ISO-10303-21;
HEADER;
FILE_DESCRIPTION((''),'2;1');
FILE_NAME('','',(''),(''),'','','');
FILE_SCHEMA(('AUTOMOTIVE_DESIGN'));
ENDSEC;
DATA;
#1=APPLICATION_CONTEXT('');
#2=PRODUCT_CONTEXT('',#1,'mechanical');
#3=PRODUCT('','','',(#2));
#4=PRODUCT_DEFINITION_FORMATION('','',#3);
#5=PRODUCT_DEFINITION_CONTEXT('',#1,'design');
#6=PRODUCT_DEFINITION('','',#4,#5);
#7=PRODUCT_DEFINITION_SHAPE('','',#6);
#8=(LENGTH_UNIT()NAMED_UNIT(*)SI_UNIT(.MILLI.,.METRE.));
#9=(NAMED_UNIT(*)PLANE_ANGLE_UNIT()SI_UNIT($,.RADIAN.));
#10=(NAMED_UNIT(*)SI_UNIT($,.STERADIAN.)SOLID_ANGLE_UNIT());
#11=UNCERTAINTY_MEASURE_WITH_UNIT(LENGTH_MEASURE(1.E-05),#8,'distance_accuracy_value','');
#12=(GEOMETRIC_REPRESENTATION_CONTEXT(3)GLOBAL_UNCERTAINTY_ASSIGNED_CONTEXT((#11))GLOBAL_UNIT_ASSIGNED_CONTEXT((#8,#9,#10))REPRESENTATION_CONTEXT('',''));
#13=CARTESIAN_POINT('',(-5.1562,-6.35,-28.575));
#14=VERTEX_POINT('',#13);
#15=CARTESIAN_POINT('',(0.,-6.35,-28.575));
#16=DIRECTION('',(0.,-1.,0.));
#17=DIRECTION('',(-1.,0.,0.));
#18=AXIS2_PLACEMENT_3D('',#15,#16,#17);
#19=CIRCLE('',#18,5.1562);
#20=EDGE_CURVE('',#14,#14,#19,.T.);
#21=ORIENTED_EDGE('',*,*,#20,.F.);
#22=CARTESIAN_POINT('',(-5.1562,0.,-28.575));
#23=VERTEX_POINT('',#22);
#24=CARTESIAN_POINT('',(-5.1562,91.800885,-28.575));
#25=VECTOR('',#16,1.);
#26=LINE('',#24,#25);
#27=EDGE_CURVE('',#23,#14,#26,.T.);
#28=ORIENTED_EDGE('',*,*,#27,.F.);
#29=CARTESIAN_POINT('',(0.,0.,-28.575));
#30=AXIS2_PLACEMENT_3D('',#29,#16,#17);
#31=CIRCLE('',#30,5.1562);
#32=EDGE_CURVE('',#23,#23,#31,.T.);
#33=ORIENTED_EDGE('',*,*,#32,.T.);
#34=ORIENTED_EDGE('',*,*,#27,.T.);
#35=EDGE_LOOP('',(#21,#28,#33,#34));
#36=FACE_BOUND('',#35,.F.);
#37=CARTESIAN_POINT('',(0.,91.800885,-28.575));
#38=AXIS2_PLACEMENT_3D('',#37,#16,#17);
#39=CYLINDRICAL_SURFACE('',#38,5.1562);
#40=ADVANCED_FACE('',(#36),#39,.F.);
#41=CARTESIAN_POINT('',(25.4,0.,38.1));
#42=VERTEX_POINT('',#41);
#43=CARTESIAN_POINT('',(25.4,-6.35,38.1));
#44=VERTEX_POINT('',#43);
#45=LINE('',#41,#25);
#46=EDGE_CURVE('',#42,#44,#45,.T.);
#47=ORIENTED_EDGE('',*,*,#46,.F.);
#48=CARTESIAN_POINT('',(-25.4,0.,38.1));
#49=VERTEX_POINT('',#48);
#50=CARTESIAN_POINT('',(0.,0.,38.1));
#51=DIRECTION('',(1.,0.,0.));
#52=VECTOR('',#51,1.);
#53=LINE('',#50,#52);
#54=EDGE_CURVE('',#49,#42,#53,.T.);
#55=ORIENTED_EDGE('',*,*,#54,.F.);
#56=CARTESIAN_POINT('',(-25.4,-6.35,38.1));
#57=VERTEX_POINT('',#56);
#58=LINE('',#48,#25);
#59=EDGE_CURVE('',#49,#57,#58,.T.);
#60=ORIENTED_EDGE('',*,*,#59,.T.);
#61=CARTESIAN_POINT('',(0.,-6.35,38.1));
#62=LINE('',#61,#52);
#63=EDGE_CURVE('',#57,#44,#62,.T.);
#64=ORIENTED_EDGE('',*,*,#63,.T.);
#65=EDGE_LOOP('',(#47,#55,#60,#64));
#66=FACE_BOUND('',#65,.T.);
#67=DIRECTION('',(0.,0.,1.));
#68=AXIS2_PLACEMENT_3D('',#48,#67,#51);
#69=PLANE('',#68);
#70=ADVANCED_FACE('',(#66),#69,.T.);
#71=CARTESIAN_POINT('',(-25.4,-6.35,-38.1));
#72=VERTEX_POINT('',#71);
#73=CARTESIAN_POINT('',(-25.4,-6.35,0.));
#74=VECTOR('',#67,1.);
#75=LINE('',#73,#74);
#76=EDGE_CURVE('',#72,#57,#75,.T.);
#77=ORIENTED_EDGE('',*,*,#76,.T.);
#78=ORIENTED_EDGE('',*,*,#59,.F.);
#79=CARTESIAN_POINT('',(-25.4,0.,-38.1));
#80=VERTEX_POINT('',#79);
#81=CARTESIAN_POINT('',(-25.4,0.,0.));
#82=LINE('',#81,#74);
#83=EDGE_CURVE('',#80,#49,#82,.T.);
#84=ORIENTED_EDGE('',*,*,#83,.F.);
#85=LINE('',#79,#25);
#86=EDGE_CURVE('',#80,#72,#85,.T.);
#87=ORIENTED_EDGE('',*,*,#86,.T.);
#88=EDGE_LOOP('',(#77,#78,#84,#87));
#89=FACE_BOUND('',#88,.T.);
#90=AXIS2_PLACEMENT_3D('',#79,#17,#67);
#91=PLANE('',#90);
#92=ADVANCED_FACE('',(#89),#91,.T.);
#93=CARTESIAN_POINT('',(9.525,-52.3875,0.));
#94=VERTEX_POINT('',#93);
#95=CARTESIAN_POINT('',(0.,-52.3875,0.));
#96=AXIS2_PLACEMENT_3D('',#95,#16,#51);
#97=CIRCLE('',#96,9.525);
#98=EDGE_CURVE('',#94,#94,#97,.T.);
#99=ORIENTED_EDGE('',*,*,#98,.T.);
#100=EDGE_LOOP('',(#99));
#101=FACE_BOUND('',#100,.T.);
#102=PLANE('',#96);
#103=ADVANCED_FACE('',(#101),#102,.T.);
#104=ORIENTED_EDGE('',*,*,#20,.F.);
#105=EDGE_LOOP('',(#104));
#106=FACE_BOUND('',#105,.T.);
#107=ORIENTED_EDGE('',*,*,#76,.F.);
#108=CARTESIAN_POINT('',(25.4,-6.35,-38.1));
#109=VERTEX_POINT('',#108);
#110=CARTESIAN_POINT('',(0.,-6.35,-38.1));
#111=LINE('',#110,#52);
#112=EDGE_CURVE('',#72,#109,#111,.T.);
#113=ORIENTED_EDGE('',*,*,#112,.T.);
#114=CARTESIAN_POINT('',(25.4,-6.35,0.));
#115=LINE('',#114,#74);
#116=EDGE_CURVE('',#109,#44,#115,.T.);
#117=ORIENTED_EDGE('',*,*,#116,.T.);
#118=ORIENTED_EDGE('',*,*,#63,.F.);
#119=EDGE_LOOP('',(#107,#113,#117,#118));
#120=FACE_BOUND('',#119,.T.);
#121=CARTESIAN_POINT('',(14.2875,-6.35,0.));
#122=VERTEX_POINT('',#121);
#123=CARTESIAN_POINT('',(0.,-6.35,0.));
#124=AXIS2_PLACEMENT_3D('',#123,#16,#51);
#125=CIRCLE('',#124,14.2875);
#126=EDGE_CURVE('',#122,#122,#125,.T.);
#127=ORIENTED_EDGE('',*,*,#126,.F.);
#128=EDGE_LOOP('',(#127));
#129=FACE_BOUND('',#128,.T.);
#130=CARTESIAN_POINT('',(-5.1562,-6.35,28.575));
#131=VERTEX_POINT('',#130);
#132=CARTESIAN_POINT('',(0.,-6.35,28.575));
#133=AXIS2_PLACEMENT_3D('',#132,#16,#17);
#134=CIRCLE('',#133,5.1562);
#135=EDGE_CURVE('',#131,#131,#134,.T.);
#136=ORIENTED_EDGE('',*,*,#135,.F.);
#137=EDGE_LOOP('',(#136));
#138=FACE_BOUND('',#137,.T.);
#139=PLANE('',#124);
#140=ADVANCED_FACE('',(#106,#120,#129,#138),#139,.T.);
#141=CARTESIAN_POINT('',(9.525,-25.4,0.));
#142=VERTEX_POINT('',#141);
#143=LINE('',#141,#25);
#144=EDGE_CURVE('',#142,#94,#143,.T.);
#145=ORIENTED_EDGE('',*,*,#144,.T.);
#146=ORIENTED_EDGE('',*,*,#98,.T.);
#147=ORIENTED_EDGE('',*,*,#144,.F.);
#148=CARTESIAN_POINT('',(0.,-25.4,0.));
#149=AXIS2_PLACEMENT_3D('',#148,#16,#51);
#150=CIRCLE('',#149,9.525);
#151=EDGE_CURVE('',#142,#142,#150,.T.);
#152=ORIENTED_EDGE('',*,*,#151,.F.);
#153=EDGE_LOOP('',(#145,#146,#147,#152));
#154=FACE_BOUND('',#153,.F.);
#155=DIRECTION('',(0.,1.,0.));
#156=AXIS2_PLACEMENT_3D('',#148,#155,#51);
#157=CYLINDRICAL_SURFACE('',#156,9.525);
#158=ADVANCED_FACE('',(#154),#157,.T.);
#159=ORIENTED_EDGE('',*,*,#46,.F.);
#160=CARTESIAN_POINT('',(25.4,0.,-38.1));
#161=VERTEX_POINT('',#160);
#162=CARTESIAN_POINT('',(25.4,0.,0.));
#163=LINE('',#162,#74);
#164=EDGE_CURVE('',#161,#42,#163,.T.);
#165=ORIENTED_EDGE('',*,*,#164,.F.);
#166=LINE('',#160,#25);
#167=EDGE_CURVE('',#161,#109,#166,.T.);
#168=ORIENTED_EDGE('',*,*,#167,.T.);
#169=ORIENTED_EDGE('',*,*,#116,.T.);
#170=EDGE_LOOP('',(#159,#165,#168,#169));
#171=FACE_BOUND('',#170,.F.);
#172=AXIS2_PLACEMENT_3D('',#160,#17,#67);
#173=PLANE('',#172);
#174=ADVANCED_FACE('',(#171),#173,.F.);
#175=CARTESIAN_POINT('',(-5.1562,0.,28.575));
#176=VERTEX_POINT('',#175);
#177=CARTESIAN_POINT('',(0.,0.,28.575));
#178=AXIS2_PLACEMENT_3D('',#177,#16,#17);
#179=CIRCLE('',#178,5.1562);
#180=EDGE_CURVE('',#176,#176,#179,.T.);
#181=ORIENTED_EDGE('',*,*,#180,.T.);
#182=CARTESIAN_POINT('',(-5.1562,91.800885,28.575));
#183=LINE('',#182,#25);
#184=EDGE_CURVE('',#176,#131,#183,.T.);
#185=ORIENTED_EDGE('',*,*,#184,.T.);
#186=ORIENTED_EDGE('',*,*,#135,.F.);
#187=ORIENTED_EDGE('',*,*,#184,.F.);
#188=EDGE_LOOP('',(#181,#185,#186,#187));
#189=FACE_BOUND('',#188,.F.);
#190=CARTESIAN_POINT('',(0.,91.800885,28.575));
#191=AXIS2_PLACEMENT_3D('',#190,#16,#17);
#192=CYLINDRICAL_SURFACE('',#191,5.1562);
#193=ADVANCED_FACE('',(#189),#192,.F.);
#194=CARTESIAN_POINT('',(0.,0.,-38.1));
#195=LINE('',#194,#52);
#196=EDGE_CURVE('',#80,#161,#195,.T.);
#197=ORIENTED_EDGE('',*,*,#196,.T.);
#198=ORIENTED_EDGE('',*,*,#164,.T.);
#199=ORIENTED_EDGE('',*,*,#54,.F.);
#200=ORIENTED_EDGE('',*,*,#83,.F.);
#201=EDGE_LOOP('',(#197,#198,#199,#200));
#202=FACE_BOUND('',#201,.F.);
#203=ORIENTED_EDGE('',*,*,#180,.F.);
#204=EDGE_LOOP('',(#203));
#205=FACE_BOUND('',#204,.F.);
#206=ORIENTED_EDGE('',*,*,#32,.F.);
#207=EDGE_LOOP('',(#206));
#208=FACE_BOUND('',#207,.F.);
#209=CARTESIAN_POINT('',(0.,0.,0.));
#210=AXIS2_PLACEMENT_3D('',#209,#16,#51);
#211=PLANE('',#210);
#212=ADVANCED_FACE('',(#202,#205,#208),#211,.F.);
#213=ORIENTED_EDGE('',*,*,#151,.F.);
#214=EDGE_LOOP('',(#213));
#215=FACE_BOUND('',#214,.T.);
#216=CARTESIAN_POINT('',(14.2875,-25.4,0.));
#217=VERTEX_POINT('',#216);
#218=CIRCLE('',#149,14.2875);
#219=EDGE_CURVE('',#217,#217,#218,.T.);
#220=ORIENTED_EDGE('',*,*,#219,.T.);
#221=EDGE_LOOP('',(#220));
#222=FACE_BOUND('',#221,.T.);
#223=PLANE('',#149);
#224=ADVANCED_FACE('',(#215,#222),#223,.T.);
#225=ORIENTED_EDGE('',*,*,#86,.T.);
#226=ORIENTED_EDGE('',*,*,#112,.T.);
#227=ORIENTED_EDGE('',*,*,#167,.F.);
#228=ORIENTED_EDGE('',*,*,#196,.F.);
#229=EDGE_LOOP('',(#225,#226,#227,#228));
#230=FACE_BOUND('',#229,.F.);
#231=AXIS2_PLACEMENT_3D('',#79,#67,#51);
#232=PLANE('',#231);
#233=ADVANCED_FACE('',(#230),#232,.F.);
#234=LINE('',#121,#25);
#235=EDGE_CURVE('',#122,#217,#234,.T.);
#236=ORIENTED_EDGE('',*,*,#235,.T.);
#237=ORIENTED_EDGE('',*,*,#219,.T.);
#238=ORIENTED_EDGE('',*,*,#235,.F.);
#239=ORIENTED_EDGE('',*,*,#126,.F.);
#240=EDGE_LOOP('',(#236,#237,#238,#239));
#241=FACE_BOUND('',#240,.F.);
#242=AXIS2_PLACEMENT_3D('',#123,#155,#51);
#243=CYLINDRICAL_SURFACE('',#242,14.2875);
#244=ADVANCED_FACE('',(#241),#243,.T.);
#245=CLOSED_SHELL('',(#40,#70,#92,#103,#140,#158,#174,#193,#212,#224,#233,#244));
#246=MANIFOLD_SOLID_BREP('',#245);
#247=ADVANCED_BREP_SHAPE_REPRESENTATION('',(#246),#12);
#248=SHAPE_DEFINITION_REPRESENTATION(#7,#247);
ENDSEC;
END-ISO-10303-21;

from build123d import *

# Parameters (mm, degrees)
F0_W     = 50.8
F0_H     = 76.2
F1_DEPTH = 6.35
F2_D     = 10.3124
F3_R     = 14.2875
F4_DEPTH = 19.05
F5_R     = 9.525
F6_DEPTH = 26.9875


with BuildPart() as f1:
    # F0 (on Front) → F1 (new body)
    with BuildSketch(Plane.XZ):
        Rectangle(F0_W, F0_H)
    extrude(amount=F1_DEPTH)

    # F2 (through all)
    with Locations(Plane(origin=(0, 0, 0), x_dir=(1, 0, 0), z_dir=(0, 1, 0))):
        with Locations((0, -28.575), (0, 28.575)):
            Hole(F2_D / 2)

    # F3 (on face) → F4 (join)
    with BuildSketch(Plane.XZ.offset(6.35)):
        Circle(F3_R)
    extrude(amount=F4_DEPTH)

    # F5 (on face) → F6 (join)
    with BuildSketch(Plane.XZ.offset(25.4)):
        Circle(F5_R)
    extrude(amount=F6_DEPTH)


solid = f1.part
